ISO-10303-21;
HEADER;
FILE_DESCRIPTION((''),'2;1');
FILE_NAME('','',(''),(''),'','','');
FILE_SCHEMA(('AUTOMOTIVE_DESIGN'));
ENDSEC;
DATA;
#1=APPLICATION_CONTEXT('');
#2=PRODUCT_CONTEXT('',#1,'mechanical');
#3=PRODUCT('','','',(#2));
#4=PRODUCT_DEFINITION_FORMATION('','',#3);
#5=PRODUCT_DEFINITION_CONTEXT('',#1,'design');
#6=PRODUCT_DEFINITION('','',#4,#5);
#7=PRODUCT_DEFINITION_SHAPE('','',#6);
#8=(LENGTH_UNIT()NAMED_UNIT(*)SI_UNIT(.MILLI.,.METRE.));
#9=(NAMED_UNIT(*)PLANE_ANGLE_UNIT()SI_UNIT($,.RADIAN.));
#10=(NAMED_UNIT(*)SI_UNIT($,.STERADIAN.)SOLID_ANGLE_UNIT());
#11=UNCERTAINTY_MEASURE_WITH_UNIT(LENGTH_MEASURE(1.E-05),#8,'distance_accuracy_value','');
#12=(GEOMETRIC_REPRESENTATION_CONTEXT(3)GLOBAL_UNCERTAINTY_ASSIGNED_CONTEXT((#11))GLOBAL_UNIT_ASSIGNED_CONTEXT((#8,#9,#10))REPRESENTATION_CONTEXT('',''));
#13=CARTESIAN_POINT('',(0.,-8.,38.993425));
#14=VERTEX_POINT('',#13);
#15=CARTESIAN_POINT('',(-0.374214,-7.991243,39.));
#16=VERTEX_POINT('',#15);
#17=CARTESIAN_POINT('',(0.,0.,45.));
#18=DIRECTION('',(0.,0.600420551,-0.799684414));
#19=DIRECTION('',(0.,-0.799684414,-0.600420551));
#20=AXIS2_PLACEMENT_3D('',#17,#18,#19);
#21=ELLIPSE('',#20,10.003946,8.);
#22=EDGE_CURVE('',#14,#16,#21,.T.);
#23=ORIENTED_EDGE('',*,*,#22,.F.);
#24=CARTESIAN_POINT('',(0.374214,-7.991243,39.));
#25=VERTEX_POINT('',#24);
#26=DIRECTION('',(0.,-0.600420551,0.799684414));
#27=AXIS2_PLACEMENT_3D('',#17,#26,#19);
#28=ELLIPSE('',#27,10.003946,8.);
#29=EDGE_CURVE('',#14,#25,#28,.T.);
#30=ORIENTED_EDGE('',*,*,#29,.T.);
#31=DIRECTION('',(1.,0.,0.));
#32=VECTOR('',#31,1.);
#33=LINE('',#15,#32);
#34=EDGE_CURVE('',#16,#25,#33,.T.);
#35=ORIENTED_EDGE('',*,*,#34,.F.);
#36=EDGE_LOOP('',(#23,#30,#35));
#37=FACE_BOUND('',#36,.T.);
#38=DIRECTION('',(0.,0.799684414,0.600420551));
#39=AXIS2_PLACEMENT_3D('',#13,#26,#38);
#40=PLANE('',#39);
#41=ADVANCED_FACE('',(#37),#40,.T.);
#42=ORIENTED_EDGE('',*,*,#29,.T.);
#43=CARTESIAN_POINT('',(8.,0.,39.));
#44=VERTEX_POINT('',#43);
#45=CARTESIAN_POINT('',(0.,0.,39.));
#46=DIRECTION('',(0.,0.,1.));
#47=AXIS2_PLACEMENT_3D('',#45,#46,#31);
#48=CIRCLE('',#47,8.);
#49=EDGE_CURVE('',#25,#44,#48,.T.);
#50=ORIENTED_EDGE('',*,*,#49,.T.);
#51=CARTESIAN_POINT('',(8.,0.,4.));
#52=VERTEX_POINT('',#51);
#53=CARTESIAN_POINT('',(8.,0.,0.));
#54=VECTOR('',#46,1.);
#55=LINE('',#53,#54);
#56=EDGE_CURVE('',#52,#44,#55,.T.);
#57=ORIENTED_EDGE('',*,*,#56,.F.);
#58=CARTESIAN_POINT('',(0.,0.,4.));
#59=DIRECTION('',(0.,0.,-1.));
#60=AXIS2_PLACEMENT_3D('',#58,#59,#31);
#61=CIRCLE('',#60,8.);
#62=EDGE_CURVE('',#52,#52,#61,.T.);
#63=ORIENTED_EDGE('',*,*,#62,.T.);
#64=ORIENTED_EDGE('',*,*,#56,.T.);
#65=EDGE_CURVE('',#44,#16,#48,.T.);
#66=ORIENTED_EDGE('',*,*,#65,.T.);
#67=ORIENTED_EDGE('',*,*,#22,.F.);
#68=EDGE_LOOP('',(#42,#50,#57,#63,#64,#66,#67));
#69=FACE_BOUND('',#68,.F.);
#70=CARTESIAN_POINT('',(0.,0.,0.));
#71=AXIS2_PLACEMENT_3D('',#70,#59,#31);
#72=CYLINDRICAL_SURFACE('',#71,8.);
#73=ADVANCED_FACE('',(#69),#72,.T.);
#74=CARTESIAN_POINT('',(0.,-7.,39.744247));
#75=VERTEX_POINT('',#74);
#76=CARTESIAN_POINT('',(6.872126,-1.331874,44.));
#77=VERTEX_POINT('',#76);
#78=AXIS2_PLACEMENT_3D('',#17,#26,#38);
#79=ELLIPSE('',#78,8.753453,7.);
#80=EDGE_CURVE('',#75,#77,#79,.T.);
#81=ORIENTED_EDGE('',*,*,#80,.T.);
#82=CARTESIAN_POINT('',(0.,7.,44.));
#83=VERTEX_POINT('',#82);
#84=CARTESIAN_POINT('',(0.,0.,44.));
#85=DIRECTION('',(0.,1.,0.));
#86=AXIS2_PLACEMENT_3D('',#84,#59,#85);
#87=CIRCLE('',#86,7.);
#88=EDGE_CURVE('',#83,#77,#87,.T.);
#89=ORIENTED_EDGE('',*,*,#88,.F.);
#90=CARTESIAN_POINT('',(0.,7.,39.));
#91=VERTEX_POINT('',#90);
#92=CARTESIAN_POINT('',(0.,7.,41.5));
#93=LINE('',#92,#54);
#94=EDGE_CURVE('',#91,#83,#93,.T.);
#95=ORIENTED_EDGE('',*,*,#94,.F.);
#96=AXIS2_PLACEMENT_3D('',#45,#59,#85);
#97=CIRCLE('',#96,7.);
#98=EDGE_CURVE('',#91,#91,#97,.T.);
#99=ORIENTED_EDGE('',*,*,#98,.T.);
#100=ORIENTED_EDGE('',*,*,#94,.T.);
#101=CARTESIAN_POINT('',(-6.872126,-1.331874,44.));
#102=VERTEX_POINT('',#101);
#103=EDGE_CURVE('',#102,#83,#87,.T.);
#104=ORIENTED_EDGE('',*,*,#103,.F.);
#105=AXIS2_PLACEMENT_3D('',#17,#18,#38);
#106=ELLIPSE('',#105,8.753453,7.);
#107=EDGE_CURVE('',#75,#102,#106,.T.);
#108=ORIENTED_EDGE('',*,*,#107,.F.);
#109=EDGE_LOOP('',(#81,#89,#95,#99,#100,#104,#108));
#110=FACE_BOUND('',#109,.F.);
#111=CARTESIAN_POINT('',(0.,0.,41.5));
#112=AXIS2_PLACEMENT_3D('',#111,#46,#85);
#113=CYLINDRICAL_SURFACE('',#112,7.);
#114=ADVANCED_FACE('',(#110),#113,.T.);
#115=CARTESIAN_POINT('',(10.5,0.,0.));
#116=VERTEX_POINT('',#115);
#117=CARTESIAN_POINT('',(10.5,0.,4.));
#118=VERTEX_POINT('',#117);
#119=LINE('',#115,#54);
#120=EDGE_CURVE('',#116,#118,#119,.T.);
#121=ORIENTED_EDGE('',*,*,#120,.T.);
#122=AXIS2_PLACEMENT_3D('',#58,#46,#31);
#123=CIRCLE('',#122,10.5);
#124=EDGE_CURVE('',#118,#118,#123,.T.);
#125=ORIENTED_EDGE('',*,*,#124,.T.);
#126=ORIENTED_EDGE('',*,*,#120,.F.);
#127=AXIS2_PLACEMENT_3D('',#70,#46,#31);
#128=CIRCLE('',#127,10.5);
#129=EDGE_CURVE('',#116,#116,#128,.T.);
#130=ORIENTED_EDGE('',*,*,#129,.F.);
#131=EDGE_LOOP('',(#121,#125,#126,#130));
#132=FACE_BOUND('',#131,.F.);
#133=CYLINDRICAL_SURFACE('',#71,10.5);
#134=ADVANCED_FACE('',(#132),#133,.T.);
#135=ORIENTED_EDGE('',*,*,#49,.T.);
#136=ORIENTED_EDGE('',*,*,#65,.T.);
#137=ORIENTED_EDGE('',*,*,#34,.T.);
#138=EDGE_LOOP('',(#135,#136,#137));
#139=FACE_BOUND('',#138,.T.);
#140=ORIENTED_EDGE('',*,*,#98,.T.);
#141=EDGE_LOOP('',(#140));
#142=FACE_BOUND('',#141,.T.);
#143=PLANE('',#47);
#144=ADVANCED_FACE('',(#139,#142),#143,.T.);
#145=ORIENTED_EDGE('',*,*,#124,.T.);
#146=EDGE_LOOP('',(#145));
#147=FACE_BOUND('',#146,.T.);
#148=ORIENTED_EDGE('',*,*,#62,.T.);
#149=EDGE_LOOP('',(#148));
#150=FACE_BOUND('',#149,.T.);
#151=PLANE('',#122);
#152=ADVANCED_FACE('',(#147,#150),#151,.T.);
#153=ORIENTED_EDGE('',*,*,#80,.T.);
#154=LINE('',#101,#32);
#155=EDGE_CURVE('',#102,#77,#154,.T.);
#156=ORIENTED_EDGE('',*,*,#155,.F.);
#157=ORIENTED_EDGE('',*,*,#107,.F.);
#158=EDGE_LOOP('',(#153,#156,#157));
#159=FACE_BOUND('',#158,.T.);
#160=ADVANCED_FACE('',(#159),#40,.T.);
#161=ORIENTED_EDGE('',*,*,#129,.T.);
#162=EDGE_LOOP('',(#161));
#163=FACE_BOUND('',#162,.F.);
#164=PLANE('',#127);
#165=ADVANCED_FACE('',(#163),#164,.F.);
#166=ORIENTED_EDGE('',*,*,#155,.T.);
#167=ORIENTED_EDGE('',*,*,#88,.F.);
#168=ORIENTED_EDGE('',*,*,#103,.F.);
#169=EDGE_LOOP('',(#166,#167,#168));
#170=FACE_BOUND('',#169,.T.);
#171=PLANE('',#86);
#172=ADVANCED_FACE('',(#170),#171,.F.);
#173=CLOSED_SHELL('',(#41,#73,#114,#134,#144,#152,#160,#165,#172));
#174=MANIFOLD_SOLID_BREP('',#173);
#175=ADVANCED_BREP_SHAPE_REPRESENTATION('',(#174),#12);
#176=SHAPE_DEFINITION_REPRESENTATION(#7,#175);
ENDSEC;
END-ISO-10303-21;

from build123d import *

# Parameters (mm, degrees)
F0_R          = 10.5
F1_DEPTH      = 4
F2_R          = 8
F3_DEPTH      = 39
F4_W          = 7
F4_H          = 5
F7_DEPTH      = 25
F7_DEPTH_BACK = 25


with BuildPart() as f1:
    # F0 (on Top) → F1 (new body)
    with BuildSketch(Plane.XY):
        Circle(F0_R)
    extrude(amount=F1_DEPTH)

    # F2 (on Top) → F3 (join)
    with BuildSketch(Plane.XY):
        Circle(F2_R)
    extrude(amount=F3_DEPTH)

    # F4 (on Right) → F5 (revolve)
    with BuildSketch(Plane.YZ):
        with Locations((3.5, 41.5)):
            Rectangle(F4_W, F4_H)
    revolve(axis=Axis((0, 0, 41.5), (0, 0, -1)))

    # F6 (on Right) → F7 (cut, two sides)
    with BuildSketch(Plane.YZ) as f7_sk:
        Polygon((0, 45), (-8, 45), (-8, 38.993425), align=None)
    extrude(amount=F7_DEPTH, mode=Mode.SUBTRACT)
    extrude(f7_sk.sketch, amount=-F7_DEPTH_BACK, mode=Mode.SUBTRACT)


solid = f1.part
